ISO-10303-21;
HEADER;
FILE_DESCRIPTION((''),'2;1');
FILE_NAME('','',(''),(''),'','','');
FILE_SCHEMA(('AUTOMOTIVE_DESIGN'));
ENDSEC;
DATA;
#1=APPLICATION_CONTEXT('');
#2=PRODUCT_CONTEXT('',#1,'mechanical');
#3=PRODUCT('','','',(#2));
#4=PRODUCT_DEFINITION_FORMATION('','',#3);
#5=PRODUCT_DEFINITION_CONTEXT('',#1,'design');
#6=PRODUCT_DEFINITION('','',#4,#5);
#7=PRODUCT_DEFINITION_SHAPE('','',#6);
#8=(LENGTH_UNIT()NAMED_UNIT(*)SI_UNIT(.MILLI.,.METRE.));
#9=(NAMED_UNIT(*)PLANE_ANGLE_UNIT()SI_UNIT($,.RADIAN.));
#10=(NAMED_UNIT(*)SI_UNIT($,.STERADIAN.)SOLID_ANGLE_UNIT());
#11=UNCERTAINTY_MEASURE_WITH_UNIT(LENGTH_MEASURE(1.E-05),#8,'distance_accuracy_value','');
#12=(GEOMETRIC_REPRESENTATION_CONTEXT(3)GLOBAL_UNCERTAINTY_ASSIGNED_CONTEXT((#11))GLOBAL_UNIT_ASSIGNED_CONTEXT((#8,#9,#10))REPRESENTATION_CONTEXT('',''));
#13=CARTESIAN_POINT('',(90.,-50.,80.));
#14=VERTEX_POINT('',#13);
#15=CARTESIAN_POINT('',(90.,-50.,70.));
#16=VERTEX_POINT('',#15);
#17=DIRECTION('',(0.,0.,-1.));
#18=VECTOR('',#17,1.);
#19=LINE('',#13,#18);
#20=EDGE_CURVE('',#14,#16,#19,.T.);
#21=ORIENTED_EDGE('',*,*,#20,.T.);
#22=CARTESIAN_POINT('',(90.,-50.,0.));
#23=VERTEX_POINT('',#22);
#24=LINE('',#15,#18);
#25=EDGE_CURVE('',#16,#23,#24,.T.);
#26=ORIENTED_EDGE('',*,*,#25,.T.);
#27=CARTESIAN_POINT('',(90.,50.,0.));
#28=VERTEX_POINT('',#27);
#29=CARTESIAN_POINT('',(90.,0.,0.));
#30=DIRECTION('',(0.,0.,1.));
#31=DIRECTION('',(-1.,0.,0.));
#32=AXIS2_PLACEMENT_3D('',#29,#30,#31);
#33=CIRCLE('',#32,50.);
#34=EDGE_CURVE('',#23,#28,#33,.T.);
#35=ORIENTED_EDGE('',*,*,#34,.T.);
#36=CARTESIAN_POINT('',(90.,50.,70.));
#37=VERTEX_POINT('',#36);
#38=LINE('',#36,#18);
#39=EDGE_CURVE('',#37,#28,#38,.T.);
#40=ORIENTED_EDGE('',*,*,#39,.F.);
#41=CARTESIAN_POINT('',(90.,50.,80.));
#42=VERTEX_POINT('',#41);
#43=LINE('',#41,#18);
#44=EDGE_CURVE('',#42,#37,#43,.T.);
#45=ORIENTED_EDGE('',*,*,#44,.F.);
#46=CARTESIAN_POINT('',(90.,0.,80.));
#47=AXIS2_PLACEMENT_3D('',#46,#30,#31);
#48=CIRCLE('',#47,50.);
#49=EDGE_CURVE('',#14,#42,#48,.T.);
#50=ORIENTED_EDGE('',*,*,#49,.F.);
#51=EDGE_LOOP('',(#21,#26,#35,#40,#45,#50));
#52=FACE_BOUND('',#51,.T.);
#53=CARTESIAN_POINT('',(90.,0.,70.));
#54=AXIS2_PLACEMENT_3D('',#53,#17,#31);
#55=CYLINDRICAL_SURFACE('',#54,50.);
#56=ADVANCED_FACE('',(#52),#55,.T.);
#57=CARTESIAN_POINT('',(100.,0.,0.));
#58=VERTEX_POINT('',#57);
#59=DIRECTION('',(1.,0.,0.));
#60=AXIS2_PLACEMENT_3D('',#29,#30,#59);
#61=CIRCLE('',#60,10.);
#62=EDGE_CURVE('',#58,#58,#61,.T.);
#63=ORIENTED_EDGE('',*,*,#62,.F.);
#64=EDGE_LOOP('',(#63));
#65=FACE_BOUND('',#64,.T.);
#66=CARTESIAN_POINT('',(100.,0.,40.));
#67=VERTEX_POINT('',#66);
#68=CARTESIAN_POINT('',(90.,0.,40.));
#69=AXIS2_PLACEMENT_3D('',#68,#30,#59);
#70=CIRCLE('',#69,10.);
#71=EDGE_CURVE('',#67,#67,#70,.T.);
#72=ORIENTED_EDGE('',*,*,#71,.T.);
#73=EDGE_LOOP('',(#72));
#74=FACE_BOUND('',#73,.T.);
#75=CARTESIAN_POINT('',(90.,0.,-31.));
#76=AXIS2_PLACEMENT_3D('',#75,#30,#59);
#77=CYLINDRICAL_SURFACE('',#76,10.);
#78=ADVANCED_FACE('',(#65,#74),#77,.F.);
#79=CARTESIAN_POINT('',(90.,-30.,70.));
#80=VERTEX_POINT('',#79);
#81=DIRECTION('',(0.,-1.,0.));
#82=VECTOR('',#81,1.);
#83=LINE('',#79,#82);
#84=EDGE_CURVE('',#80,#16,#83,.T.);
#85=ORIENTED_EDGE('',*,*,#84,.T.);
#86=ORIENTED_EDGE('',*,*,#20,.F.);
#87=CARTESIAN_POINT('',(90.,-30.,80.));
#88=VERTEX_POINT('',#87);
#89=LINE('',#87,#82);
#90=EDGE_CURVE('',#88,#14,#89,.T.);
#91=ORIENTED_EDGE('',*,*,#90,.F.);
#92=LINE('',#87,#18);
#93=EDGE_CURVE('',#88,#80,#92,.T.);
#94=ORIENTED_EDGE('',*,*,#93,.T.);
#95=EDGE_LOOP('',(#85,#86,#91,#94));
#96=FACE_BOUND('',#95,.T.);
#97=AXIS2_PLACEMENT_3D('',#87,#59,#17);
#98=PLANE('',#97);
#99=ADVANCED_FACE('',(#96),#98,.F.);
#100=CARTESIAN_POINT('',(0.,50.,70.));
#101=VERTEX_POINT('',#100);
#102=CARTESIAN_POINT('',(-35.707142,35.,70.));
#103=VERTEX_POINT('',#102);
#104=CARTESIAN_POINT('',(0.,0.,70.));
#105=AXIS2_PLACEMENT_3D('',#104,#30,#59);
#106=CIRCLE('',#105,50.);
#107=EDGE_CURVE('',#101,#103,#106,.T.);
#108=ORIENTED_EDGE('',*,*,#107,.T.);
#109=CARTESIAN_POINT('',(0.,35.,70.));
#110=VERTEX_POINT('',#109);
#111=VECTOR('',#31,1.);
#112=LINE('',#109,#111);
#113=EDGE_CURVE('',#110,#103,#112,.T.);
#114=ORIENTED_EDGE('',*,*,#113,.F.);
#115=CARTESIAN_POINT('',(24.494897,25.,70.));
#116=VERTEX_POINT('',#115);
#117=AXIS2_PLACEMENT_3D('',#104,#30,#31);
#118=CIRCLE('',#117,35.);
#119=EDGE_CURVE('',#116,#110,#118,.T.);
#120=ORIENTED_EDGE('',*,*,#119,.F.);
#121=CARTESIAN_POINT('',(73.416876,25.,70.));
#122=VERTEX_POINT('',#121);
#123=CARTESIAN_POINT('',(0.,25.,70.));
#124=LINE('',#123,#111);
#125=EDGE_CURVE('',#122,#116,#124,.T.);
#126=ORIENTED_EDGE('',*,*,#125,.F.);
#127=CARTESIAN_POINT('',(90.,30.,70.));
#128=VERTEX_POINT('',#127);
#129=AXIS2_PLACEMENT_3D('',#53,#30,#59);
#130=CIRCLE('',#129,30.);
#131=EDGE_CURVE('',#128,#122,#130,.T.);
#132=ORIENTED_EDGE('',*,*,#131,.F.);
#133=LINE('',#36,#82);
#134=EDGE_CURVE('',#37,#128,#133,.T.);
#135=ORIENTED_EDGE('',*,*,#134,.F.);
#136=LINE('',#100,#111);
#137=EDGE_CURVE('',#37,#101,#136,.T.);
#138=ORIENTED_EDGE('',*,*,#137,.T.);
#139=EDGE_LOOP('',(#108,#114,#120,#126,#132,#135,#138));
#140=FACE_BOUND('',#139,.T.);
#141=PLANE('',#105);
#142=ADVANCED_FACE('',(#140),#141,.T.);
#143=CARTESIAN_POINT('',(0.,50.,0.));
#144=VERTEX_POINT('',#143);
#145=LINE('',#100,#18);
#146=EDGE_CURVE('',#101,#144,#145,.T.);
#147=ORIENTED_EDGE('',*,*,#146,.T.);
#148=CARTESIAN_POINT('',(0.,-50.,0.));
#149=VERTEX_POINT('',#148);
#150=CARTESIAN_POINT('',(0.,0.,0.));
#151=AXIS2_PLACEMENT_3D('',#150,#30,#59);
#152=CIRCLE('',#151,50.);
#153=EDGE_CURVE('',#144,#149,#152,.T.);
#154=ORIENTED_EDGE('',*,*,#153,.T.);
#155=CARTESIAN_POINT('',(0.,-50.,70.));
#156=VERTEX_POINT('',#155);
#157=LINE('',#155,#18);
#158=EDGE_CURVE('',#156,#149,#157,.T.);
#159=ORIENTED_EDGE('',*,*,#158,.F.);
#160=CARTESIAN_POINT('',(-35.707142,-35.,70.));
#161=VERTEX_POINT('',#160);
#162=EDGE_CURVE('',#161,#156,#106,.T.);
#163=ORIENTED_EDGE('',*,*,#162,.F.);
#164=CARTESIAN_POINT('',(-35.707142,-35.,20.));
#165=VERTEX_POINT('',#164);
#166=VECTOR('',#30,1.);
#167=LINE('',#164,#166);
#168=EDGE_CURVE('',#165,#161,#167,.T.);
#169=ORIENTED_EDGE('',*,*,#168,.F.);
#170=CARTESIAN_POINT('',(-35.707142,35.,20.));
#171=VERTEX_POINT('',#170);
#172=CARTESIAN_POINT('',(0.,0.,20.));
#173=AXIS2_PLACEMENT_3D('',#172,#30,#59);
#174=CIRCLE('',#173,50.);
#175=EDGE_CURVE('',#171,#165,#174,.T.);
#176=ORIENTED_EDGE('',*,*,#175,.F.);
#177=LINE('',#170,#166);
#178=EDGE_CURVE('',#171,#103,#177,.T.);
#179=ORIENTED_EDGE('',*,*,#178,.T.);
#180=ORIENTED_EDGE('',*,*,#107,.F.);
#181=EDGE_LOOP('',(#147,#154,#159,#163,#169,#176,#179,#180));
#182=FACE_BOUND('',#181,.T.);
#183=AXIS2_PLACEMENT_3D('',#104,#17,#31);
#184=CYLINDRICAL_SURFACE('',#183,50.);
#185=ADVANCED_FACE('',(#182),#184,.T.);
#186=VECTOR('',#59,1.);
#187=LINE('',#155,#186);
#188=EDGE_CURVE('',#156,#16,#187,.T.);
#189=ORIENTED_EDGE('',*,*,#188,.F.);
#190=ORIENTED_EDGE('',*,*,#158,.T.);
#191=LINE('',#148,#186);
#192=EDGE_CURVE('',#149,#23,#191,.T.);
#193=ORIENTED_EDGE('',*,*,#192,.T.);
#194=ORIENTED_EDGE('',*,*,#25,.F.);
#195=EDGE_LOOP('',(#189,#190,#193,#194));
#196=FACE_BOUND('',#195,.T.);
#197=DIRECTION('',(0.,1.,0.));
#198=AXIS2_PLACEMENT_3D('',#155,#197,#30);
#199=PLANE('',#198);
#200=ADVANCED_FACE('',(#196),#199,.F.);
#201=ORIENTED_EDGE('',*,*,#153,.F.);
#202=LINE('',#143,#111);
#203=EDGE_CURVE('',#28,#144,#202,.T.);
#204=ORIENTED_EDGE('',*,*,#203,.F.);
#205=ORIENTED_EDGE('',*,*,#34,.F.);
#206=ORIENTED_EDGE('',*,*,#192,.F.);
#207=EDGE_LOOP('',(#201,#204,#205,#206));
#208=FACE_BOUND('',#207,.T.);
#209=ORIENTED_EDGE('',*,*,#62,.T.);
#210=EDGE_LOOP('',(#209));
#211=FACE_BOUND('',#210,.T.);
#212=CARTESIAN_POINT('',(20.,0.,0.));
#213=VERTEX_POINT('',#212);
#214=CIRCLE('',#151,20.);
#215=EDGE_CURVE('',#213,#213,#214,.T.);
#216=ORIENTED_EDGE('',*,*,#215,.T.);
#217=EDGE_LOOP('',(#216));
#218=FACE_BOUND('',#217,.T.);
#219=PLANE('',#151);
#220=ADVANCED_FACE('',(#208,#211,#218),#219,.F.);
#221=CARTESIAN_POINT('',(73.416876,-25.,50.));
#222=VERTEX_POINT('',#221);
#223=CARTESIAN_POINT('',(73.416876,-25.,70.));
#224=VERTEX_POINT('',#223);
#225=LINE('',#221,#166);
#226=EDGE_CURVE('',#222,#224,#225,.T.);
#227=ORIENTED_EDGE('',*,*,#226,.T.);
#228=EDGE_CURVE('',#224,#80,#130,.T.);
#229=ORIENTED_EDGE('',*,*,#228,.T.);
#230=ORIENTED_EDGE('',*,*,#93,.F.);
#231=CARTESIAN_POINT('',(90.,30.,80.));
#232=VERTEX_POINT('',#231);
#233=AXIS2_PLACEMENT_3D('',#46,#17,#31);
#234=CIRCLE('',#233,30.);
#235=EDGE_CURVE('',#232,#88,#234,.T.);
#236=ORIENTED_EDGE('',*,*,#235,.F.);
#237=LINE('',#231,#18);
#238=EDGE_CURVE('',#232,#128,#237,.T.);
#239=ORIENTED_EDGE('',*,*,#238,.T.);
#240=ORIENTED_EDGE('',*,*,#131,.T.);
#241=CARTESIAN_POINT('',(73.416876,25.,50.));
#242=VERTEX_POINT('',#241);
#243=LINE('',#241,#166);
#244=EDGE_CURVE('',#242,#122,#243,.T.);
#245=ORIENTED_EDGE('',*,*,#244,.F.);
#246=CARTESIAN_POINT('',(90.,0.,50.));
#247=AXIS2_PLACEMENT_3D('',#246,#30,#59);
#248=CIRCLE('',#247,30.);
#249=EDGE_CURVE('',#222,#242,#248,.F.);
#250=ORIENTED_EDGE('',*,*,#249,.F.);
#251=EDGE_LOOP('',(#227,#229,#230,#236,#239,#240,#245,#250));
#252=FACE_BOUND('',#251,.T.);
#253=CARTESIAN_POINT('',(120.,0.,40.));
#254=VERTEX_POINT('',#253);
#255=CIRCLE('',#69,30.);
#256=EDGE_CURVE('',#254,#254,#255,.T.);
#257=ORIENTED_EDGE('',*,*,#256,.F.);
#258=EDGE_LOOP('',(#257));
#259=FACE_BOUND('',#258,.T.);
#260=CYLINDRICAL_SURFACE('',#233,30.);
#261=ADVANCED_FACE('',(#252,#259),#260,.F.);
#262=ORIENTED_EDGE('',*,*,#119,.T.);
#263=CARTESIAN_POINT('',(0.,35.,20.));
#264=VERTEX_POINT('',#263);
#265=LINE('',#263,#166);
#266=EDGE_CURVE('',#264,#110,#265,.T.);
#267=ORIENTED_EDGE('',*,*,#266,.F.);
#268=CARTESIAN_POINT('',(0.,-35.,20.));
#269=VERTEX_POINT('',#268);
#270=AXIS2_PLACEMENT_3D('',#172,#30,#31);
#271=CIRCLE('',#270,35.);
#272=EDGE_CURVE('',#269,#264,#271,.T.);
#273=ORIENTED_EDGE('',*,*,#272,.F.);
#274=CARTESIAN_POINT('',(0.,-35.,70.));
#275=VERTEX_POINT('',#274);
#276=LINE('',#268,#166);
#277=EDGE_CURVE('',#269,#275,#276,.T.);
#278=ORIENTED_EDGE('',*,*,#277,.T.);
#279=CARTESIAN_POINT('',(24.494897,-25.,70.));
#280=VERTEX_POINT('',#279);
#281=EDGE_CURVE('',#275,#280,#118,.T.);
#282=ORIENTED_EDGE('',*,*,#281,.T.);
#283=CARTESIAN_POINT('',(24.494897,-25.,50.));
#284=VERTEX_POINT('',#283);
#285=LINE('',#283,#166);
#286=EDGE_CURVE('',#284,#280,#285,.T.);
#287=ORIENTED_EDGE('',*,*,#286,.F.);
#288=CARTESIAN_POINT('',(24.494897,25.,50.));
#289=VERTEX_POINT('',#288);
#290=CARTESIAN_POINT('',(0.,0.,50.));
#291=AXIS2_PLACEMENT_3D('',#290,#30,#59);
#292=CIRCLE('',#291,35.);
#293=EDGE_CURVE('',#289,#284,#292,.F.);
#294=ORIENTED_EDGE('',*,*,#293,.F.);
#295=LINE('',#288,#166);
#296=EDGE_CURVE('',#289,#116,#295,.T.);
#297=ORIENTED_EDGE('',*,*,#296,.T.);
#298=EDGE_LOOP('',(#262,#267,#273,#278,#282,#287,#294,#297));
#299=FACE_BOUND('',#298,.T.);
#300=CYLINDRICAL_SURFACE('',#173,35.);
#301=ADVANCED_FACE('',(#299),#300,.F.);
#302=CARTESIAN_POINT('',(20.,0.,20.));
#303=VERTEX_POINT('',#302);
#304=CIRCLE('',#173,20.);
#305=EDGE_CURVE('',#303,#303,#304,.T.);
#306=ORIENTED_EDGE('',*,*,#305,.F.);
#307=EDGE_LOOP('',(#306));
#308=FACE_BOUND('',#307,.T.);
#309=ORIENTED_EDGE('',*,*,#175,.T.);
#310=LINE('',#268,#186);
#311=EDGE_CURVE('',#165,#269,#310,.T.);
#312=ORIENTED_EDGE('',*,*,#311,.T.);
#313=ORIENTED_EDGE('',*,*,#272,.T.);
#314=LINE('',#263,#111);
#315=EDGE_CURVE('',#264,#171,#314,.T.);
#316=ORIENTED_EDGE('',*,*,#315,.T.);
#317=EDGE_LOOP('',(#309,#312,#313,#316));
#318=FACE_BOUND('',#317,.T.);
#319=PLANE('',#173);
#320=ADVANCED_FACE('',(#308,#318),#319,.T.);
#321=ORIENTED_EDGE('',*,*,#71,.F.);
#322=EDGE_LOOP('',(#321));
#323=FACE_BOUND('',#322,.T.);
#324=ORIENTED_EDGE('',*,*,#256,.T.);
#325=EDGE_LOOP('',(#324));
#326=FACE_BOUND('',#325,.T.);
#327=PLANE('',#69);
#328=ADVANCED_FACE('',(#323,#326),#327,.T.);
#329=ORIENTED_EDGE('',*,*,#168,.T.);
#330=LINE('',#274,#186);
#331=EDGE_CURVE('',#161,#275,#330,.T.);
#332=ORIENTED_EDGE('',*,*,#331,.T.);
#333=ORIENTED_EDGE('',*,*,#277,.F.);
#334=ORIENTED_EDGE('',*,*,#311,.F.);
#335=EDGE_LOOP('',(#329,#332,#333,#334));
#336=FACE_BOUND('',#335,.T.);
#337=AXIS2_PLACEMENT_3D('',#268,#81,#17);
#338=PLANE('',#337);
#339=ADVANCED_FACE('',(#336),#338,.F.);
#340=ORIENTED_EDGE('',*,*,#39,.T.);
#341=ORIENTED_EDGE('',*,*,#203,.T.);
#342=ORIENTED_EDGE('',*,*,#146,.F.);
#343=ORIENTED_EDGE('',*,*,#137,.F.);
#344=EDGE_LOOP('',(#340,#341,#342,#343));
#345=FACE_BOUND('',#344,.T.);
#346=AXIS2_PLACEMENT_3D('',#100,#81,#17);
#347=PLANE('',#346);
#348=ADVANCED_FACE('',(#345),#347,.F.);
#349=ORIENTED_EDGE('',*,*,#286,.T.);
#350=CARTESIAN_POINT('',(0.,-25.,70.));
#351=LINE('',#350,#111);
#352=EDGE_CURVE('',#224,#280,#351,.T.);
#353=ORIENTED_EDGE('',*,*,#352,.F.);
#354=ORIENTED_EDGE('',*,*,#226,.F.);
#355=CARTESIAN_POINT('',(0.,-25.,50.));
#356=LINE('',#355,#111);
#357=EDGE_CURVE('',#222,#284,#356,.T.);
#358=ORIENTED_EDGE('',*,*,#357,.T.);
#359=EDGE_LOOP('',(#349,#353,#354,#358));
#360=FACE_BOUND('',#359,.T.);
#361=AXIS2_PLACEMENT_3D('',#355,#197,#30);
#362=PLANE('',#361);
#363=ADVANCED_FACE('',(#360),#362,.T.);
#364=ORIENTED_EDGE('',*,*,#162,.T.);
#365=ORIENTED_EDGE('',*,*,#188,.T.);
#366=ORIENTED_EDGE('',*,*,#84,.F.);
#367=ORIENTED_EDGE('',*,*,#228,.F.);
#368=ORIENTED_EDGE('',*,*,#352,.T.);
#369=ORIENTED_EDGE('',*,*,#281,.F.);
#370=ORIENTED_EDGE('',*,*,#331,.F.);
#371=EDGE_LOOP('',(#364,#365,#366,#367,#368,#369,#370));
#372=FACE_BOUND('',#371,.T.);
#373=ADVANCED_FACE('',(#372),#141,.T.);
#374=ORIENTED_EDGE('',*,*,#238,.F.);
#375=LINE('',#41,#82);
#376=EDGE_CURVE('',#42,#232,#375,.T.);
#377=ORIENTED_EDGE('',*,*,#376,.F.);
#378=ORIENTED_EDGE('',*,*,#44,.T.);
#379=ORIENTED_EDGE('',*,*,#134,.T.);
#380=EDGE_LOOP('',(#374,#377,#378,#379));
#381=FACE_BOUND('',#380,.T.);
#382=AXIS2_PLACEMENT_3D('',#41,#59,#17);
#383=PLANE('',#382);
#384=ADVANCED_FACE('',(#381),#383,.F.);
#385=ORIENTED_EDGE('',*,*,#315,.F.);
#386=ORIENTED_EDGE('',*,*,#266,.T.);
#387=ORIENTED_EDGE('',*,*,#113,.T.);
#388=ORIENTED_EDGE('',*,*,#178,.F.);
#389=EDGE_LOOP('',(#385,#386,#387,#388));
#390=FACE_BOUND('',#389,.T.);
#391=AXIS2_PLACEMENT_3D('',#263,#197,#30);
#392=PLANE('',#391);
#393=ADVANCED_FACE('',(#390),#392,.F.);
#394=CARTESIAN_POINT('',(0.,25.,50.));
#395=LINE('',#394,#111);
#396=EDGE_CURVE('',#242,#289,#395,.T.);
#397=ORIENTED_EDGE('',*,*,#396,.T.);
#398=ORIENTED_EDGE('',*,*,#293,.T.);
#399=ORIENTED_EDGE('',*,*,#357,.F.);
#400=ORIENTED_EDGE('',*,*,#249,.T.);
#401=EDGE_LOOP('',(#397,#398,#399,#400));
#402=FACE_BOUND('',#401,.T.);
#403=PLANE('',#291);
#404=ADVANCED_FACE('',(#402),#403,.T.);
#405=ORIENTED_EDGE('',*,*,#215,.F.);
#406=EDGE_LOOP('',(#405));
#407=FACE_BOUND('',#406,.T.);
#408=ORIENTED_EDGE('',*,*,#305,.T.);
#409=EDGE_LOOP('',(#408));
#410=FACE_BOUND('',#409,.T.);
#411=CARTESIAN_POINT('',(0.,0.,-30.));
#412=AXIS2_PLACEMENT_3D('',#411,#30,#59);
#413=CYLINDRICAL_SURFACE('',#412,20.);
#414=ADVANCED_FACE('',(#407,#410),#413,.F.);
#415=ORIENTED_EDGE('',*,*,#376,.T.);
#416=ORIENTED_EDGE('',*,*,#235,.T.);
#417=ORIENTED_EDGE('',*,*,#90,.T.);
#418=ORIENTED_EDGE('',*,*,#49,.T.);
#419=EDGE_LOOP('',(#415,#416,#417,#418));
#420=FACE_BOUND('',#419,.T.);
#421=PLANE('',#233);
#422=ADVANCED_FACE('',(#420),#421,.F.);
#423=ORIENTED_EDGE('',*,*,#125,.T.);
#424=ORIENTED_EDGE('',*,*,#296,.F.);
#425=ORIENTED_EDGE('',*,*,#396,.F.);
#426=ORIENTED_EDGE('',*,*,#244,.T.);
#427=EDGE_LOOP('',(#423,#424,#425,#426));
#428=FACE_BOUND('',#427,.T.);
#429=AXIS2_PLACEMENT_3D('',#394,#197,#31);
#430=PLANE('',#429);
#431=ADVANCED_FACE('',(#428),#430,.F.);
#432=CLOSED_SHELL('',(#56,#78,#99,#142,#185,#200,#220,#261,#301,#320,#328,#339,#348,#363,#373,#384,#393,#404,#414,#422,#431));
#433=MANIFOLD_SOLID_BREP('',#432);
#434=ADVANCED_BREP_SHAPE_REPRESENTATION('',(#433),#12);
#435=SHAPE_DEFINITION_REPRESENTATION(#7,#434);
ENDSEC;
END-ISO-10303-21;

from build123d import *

# Parameters (mm, degrees)
BOSS_EXTRUDE1_DEPTH = 70
BOSS_EXTRUDE2_DEPTH = 10
SKETCH3_R           = 30
CUT_EXTRUDE1_DEPTH  = 30
SKETCH4_R           = 10
CUT_EXTRUDE2_DEPTH  = 71
CUT_EXTRUDE6_DEPTH  = 50
SKETCH9_R           = 20
CUT_EXTRUDE7_DEPTH  = 50
CUT_EXTRUDE8_DEPTH  = 20


with BuildPart() as part:
    # Sketch1 → Boss-Extrude1 (new body)
    with BuildSketch(Plane.XY):
        with BuildLine():
            Line((0, 50), (90, 50))
            ThreePointArc((90, 50), (140, 0), (90, -50))
            Line((90, -50), (0, -50))
            ThreePointArc((0, -50), (-50, 0), (0, 50))
        make_face()
    extrude(amount=BOSS_EXTRUDE1_DEPTH)

    # Sketch2 → Boss-Extrude2 (add)
    with BuildSketch(Plane.XY.offset(70)):
        with BuildLine():
            Line((90, 50), (90, 30))
            ThreePointArc((90, 30), (120, 0), (90, -30))
            Line((90, -30), (90, -50))
            ThreePointArc((90, -50), (140, 0), (90, 50))
        make_face()
    extrude(amount=BOSS_EXTRUDE2_DEPTH)

    # Sketch3 → Cut-Extrude1 (cut)
    with BuildSketch(Plane.XY.offset(70)):
        with Locations((90, 0)):
            Circle(SKETCH3_R)
    extrude(amount=-CUT_EXTRUDE1_DEPTH, mode=Mode.SUBTRACT)

    # Sketch4 → Cut-Extrude2 (cut)
    with BuildSketch(Plane.XY.offset(40)):
        with Locations((90, 0)):
            Circle(SKETCH4_R)
    extrude(amount=-CUT_EXTRUDE2_DEPTH, mode=Mode.SUBTRACT)

    # Sketch5 → Cut-Extrude6 (cut)
    with BuildSketch(Plane.XY.offset(70)):
        with BuildLine():
            Line((0, 35), (-35.707142143, 35))
            ThreePointArc((-35.707142143, 35), (-50, 0), (-35.707142143, -35))
            Line((-35.707142143, -35), (0, -35))
            ThreePointArc((0, -35), (35, 0), (0, 35))
        make_face()
    extrude(amount=-CUT_EXTRUDE6_DEPTH, mode=Mode.SUBTRACT)

    # Sketch9 → Cut-Extrude7 (cut)
    with BuildSketch(Plane.XY.offset(20)):
        Circle(SKETCH9_R)
    extrude(amount=-CUT_EXTRUDE7_DEPTH, mode=Mode.SUBTRACT)

    # Sketch10 → Cut-Extrude8 (cut)
    with BuildSketch(Plane.XY.offset(70)):
        with BuildLine():
            ThreePointArc((73.416876048, -25), (60, 0), (73.416876048, 25))
            Line((73.416876048, 25), (24.494897428, 25))
            ThreePointArc((24.494897428, 25), (35, 0), (24.494897428, -25))
            Line((24.494897428, -25), (73.416876048, -25))
        make_face()
    extrude(amount=-CUT_EXTRUDE8_DEPTH, mode=Mode.SUBTRACT)


solid = part.part
